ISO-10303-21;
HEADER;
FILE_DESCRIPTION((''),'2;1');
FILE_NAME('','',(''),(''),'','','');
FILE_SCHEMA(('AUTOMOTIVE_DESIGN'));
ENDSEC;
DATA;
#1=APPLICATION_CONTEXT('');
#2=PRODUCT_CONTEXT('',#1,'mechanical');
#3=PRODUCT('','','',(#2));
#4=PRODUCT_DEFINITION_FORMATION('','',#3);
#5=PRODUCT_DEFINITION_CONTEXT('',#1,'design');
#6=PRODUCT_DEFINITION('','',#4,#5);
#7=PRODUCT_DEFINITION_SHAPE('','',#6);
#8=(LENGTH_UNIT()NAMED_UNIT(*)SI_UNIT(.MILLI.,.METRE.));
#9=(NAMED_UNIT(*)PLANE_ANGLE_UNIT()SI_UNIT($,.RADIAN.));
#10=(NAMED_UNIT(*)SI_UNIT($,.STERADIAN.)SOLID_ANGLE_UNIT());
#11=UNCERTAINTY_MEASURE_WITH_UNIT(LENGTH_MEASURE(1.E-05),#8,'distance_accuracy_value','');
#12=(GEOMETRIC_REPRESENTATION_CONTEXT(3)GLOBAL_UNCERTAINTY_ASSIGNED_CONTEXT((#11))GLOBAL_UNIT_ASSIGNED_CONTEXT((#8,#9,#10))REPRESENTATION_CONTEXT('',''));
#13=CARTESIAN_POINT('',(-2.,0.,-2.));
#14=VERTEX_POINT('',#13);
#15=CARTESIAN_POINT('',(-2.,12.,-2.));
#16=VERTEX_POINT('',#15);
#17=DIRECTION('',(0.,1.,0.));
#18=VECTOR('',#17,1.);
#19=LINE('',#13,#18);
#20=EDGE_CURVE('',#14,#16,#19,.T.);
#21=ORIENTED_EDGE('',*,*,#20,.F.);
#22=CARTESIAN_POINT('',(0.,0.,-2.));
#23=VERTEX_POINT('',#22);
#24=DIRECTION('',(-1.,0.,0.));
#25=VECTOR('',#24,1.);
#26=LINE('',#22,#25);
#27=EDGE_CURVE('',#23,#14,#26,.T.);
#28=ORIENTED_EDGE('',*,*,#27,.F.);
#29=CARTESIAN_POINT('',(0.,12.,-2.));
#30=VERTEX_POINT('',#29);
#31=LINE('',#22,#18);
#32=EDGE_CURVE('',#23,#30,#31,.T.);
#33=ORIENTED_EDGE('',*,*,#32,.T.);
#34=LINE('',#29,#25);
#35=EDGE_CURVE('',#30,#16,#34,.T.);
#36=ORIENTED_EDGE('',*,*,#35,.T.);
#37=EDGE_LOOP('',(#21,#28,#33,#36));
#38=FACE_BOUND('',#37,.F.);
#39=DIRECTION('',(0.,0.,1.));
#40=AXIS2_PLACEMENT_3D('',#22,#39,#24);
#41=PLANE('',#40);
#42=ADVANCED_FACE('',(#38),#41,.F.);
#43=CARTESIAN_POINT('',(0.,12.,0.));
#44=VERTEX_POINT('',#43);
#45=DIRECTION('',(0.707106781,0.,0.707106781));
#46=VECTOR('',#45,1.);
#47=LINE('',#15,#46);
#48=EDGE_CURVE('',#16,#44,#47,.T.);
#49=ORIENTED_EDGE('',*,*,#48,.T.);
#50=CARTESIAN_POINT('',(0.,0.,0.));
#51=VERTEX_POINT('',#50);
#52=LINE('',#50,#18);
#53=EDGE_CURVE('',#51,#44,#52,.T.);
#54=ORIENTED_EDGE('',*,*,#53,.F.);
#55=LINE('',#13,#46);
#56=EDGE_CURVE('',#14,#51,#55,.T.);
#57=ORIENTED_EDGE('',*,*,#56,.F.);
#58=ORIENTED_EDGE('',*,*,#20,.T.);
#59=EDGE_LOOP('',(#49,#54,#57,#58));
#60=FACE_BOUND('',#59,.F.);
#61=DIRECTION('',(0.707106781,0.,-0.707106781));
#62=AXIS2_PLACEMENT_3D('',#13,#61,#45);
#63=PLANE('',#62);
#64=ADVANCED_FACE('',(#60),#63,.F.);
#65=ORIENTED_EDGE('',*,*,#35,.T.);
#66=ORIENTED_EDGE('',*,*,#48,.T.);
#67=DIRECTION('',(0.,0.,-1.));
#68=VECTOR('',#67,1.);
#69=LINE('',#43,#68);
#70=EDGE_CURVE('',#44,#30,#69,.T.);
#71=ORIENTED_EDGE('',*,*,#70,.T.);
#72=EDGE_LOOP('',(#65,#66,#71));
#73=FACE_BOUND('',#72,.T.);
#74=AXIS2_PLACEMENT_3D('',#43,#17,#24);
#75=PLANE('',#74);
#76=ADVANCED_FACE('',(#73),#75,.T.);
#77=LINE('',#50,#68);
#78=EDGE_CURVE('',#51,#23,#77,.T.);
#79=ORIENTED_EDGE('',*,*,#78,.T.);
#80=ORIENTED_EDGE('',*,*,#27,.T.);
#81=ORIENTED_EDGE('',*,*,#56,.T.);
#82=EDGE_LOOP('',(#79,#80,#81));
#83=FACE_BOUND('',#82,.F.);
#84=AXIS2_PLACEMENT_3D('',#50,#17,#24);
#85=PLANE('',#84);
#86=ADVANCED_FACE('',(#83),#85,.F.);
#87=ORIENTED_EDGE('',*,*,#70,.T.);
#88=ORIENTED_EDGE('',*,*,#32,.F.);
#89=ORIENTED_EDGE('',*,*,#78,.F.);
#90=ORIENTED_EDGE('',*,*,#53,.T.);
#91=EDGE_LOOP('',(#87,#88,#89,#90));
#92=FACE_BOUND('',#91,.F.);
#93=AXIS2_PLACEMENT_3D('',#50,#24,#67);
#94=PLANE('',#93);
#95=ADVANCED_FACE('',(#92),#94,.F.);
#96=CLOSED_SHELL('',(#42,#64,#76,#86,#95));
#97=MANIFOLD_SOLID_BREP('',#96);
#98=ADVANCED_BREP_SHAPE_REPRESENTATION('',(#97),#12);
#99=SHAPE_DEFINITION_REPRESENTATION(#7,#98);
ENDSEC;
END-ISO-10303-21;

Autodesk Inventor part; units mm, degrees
ref_plane "YZ Plane" through (0, 0, 0) normal (1, 0, 0) x (0, 1, 0)
ref_plane "XZ Plane" through (0, 0, 0) normal (0, 1, 0) x (-1, 0, 0)
ref_plane "XY Plane" through (0, 0, 0) normal (0, 0, 1) x (1, 0, 0)
sketch "Skizze1" plane through (0, 0, 0) normal (0, 1, 0) x (-1, 0, 0)
  line L0 (0, 0) -> (0, -2)
  line L1 (0, -2) -> (2, -2)
  line L2 (2, -2) -> (0, 0)
  dimension "d0" = 2
  dimension "d1" = 2
extrude "Extrusion1" add sketch "Skizze1" along normal blind 12
equation "\"Biegeradius\" = Stärke"
equation "\"BreiteBiegungsfreistellung\" = Stärke"
equation "\"TiefeBiegungsfreistellung\" = 0.5 * Stärke"
equation "\"GrößeEckenfreistellung\" = 4 * Stärke"
equation "\"MinimalRest\" = 2 * Stärke"
equation "\"Übergangsradius\" = Biegeradius"
equation "\"JacobiRadiusGröße\" = Biegeradius"
equation "\"Abstandsgröße\" = Stärke"
equation "\"Stärke\" = 0.5"
properties part number "Obj3"
